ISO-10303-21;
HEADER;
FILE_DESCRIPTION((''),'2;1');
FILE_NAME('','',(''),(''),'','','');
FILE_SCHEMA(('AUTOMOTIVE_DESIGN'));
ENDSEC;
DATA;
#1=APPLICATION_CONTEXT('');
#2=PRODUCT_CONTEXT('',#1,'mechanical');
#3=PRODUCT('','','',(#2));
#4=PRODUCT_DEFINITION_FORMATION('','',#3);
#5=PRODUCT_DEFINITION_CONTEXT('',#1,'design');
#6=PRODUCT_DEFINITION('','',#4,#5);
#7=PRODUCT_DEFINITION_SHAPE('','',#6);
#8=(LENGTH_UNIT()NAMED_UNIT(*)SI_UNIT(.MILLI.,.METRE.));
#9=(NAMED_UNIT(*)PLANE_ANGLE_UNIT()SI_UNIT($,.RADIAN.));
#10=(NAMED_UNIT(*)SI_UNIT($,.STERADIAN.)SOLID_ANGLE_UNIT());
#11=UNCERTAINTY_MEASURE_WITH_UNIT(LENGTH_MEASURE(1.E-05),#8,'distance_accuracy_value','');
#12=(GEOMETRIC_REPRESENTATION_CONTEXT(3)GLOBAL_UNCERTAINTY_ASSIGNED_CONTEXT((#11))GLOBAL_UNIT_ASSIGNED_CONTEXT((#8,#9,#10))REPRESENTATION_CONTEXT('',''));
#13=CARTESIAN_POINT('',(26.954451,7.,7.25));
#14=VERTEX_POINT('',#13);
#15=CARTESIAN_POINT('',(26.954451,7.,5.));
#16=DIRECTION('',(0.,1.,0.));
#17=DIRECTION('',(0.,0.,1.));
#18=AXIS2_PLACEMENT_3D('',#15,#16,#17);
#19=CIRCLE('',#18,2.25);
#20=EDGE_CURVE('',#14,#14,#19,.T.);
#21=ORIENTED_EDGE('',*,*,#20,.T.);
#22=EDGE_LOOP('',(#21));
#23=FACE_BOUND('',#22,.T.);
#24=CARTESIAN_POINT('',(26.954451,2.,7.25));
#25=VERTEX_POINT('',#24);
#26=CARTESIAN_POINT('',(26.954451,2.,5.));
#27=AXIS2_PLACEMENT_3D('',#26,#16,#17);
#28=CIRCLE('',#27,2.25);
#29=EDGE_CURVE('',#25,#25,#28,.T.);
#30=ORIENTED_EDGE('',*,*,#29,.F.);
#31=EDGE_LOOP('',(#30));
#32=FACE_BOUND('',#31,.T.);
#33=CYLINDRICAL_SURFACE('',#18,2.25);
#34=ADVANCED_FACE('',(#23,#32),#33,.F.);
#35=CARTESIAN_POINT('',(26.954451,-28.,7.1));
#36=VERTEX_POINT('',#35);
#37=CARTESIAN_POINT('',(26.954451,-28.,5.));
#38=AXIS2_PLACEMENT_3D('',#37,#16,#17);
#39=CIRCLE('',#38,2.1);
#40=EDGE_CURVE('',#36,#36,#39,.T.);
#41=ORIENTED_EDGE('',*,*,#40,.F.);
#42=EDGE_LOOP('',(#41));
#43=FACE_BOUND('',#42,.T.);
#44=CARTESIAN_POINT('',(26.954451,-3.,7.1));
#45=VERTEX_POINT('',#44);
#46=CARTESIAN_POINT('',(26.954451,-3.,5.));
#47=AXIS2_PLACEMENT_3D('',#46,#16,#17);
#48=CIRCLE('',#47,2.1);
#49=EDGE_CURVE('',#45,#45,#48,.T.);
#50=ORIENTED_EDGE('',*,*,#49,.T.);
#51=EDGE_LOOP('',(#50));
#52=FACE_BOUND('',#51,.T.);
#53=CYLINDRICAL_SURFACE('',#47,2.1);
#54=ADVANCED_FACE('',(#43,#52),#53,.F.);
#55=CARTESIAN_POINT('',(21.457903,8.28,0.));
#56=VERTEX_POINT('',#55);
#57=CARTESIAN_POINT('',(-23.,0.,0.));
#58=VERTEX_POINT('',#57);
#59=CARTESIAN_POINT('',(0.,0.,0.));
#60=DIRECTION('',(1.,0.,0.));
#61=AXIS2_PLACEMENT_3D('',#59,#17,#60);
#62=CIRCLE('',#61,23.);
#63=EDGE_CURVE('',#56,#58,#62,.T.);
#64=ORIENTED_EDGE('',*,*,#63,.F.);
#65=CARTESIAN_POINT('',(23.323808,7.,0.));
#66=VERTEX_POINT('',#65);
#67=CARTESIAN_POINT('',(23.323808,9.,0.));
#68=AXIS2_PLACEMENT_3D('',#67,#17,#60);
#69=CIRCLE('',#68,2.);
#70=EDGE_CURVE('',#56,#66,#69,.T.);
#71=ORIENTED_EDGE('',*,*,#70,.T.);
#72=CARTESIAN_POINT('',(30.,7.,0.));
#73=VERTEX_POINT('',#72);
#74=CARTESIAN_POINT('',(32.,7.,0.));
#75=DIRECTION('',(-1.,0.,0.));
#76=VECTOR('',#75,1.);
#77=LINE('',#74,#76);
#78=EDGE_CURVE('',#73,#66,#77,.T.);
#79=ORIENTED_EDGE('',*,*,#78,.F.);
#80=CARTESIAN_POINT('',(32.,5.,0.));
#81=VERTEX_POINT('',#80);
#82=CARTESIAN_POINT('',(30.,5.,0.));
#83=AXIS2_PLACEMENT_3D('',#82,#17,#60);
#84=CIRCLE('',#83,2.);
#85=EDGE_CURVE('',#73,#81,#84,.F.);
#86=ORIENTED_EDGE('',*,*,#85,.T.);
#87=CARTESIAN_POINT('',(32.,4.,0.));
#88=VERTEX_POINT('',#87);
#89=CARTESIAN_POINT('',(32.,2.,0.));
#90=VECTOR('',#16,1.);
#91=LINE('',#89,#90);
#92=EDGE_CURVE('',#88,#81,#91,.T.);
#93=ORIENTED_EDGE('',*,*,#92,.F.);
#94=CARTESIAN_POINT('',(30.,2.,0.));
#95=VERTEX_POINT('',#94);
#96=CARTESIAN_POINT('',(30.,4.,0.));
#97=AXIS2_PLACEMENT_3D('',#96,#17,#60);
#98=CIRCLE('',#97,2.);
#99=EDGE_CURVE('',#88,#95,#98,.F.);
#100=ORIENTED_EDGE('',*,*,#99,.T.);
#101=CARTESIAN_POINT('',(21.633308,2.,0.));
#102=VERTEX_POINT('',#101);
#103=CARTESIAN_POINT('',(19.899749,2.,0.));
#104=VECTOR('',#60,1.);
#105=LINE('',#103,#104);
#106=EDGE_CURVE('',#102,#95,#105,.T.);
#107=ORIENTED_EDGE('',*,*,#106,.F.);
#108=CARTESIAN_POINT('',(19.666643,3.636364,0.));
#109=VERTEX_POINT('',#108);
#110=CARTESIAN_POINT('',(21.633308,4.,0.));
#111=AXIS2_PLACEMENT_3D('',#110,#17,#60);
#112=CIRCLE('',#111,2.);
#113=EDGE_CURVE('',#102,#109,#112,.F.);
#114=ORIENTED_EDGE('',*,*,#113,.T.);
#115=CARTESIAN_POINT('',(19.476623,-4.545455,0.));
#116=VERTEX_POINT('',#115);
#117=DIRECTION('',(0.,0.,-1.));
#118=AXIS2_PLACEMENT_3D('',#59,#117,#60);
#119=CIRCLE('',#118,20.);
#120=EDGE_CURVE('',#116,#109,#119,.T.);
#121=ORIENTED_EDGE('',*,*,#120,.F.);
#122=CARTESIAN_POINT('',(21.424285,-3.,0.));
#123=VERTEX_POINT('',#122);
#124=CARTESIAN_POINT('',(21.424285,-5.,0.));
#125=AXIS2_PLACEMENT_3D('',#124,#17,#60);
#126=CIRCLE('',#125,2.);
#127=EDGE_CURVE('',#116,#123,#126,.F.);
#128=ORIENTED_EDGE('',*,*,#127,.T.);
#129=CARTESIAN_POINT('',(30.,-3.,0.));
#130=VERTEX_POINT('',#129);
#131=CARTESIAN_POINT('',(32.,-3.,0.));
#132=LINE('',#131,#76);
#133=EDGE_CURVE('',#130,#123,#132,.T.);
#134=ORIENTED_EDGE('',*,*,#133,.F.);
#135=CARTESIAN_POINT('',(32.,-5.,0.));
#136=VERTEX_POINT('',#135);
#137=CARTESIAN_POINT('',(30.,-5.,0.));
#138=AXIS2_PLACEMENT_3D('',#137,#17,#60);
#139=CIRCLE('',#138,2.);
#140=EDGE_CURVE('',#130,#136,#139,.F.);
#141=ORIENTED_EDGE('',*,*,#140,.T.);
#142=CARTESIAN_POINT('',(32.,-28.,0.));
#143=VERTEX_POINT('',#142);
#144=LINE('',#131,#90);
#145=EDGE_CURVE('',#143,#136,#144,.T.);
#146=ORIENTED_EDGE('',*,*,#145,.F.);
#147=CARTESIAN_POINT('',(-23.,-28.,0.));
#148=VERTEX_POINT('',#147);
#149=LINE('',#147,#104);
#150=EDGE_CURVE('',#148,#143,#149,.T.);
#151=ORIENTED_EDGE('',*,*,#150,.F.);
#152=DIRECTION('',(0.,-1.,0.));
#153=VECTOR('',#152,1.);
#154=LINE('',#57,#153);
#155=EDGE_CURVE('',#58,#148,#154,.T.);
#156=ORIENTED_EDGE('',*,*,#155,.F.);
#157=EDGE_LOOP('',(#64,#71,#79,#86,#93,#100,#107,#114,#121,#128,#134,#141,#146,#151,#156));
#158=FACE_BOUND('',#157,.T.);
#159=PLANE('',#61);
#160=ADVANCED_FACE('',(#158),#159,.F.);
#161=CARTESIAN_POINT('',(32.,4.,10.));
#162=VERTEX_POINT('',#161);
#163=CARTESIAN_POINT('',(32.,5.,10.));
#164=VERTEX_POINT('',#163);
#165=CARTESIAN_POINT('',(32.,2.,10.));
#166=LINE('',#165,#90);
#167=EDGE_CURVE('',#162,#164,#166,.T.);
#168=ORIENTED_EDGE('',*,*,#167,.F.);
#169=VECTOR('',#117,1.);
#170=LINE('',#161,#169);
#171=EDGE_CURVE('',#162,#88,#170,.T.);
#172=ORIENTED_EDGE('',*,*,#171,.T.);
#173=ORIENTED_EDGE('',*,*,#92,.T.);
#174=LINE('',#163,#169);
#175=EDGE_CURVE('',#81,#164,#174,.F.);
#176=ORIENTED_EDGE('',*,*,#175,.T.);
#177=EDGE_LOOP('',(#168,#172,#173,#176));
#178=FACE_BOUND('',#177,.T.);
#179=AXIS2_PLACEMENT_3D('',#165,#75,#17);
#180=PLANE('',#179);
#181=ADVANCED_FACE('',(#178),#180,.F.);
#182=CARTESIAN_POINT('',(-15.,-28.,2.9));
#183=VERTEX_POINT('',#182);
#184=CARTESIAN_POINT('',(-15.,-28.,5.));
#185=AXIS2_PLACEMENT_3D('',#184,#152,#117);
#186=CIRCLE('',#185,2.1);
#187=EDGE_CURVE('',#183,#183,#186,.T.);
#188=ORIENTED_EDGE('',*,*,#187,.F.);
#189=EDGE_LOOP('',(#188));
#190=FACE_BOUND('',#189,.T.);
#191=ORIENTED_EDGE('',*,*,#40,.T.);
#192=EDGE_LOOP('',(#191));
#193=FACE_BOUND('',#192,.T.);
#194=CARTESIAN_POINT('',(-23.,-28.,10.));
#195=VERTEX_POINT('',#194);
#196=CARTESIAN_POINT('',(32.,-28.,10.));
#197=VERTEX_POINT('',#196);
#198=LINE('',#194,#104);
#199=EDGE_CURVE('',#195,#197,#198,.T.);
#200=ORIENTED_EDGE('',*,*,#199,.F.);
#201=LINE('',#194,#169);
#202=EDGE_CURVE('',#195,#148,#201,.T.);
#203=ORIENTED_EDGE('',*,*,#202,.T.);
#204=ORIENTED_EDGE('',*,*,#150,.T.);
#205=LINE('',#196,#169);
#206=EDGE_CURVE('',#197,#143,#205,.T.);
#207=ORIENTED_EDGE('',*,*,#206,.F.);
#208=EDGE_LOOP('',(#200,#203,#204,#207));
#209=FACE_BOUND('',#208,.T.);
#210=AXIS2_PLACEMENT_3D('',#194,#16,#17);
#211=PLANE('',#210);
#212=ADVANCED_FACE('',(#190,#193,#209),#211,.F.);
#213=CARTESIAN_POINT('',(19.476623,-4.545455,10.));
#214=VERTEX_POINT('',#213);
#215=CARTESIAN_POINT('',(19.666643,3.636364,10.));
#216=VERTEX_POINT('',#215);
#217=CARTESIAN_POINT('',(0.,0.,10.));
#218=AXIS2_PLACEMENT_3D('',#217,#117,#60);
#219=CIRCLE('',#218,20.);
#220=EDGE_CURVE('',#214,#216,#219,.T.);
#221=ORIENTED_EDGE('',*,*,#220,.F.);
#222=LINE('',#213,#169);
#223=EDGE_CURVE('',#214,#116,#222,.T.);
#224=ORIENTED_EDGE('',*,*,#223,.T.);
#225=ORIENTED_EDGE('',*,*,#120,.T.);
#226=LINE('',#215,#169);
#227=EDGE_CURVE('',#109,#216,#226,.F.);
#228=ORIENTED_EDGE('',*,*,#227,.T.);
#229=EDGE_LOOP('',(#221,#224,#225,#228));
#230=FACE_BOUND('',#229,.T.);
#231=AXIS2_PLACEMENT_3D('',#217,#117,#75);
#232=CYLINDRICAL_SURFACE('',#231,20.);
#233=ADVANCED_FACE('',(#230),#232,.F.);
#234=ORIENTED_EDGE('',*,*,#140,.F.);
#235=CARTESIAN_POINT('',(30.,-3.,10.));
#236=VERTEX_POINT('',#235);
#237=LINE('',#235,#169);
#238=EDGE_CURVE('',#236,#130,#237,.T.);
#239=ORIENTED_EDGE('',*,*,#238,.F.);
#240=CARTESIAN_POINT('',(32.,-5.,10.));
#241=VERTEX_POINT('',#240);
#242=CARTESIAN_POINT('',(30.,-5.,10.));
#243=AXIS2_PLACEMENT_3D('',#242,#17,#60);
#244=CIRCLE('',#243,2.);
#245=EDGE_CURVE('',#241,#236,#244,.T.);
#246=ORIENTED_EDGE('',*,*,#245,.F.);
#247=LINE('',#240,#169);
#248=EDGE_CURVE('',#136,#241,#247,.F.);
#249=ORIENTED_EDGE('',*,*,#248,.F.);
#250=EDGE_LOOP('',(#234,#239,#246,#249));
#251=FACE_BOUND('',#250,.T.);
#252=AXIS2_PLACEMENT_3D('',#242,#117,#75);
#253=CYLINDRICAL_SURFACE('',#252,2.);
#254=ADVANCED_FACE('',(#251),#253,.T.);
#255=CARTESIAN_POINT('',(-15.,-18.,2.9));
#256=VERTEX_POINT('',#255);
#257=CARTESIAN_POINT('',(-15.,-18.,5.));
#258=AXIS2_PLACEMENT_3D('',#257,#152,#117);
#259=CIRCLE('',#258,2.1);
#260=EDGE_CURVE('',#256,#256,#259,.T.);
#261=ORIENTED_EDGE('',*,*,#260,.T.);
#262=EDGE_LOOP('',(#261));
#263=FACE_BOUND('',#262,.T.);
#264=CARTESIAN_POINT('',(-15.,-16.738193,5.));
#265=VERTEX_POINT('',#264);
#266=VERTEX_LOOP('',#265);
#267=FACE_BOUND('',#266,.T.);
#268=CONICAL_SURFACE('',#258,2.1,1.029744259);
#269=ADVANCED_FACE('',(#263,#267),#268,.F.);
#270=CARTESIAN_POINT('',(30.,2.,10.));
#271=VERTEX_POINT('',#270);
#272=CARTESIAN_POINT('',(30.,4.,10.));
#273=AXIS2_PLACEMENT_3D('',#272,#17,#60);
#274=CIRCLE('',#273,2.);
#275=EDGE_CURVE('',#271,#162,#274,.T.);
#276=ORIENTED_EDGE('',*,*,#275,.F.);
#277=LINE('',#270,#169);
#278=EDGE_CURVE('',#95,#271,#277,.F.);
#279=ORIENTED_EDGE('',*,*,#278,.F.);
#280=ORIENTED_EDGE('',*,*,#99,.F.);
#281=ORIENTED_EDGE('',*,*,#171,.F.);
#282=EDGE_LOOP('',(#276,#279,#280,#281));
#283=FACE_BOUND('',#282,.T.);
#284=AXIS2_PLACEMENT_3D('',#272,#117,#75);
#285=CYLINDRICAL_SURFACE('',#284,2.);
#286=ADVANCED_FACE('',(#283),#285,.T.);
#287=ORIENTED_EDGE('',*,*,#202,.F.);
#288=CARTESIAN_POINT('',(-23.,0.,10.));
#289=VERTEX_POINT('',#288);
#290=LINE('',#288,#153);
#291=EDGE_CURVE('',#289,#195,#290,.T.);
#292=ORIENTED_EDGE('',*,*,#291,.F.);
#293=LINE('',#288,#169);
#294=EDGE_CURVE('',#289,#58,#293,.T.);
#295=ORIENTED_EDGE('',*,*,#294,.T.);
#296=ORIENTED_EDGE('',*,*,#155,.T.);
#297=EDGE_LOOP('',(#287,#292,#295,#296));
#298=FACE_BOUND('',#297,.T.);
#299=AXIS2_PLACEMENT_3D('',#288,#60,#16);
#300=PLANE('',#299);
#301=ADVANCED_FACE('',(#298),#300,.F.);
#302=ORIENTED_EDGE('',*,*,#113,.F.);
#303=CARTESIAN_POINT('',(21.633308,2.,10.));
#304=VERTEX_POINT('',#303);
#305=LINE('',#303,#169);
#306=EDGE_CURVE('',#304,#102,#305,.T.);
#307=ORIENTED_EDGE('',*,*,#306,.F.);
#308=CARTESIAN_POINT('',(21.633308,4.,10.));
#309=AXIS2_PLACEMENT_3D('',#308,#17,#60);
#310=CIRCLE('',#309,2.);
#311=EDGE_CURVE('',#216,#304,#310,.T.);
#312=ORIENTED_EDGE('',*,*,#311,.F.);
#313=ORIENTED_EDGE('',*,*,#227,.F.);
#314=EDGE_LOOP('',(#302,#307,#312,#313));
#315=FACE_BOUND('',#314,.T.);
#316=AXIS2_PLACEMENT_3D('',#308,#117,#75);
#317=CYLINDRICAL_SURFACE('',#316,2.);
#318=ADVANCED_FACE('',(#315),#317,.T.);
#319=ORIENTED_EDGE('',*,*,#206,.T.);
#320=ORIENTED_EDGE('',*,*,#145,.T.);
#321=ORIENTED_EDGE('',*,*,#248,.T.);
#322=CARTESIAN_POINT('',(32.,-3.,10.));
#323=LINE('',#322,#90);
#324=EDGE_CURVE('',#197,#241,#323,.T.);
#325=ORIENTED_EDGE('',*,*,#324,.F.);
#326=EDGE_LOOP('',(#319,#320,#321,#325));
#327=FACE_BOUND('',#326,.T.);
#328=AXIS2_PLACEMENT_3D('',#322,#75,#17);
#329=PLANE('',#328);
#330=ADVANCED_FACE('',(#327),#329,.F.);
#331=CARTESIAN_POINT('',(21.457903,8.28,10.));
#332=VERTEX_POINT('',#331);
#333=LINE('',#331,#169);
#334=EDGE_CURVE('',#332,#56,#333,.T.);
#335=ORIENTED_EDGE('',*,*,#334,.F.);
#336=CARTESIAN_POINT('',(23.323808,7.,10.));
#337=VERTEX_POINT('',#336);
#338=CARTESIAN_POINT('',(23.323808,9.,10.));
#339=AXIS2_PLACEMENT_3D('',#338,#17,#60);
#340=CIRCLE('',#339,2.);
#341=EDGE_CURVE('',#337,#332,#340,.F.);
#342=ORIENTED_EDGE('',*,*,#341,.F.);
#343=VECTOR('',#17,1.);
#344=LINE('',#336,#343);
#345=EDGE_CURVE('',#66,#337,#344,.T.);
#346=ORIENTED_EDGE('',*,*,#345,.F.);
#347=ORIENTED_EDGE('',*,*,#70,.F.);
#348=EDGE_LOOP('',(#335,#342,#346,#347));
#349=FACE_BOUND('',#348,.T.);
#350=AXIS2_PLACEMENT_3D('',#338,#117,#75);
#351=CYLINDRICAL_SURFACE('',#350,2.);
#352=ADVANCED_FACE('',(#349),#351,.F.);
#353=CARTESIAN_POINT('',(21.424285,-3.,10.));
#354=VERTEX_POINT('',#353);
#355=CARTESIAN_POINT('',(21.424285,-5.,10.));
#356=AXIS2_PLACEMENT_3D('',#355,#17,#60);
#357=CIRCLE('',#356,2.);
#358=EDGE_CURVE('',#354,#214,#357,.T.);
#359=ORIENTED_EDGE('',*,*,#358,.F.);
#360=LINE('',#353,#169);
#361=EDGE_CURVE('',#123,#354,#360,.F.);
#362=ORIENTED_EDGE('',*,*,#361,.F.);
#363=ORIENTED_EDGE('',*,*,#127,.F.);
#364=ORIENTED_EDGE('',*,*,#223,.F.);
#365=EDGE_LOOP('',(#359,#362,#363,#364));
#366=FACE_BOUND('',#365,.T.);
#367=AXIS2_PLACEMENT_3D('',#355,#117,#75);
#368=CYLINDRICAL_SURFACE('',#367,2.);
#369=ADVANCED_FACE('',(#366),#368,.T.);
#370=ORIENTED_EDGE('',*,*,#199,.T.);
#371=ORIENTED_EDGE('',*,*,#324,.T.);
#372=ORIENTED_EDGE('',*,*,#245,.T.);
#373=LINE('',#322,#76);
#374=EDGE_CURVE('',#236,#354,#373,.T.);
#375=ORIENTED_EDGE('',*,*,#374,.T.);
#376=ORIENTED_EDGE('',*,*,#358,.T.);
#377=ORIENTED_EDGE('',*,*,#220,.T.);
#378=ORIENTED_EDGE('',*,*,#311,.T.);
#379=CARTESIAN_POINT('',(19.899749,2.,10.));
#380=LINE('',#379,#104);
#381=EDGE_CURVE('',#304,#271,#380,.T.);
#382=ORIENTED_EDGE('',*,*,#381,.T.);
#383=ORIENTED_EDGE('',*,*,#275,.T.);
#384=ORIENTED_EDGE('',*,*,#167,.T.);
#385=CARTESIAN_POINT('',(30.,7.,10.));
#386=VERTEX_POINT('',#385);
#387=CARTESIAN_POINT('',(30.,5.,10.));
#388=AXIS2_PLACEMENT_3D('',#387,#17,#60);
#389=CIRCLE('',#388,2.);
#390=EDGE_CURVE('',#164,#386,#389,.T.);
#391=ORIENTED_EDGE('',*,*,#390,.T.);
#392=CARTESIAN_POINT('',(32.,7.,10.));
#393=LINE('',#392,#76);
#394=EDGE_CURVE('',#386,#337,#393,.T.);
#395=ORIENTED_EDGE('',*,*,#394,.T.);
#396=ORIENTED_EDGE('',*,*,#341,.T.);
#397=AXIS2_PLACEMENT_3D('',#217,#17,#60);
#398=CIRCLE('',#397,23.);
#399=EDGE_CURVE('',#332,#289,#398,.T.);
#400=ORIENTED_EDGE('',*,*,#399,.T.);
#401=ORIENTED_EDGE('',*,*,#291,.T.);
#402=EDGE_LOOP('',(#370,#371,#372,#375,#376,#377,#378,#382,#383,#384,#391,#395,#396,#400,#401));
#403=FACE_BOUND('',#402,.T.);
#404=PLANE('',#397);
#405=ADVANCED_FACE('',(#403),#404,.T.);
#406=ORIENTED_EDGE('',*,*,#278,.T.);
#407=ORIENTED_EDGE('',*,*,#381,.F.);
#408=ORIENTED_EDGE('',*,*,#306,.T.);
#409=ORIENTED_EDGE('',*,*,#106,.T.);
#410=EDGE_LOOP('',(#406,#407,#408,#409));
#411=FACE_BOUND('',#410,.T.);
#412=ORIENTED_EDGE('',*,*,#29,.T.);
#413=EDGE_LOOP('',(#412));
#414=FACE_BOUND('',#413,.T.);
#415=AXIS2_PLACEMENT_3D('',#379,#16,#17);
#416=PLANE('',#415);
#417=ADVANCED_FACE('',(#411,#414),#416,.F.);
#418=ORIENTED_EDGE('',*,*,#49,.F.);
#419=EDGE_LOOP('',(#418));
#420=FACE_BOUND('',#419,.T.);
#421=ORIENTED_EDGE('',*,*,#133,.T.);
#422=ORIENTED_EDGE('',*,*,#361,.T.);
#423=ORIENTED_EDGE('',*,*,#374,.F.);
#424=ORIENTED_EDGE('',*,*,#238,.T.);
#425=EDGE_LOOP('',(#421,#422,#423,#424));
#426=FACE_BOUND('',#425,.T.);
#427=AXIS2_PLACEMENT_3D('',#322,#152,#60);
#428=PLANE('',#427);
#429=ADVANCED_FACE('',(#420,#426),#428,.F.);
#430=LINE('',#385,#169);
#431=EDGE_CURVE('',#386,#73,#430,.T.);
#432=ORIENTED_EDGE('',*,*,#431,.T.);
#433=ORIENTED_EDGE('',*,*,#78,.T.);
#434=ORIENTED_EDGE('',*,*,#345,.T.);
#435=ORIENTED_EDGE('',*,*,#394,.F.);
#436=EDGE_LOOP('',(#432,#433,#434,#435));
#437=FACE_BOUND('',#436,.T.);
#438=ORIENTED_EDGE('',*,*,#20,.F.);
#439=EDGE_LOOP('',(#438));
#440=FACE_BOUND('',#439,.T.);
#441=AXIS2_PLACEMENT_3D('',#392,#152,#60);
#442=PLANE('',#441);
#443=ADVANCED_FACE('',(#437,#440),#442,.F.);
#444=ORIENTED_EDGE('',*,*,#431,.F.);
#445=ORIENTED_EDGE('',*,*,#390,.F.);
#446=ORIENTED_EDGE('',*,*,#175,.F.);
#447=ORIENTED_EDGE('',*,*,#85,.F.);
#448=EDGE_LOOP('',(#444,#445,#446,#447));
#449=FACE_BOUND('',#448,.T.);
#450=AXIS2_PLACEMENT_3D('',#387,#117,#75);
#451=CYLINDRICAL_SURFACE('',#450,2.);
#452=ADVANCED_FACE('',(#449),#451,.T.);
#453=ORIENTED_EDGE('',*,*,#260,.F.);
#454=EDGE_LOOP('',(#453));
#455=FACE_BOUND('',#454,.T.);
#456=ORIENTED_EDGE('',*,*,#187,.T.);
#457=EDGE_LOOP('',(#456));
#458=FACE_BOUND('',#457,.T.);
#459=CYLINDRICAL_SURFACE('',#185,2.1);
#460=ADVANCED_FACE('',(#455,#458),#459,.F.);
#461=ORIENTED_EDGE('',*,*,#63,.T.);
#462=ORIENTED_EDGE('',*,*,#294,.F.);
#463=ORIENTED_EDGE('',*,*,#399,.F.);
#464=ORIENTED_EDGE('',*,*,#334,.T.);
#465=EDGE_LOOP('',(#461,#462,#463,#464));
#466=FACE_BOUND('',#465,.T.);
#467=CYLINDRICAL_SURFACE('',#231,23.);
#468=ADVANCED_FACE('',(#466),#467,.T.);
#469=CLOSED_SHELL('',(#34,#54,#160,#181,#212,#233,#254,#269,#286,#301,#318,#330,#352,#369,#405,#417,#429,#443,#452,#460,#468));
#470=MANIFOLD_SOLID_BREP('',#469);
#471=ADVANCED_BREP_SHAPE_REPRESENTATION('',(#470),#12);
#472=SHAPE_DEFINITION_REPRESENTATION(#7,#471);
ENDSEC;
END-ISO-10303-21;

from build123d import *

# Parameters (mm, degrees)
EXTRUDE_1_DEPTH       = 10
FILLET_1_R            = 2
HOLE_WIZARD_M41_D     = 4.5
HOLE_WIZARD_M41_DEPTH = 5
M5X0_81_D             = 4.2
M5X0_82_D             = 4.2
M5X0_82_DEPTH         = 10
M5X0_82_TIP           = 1.2618073


with BuildPart() as part:
    # Эскиз1 → Бобышка-Вытянуть1 (new body)
    with BuildSketch(Plane.XY):
        with BuildLine():
            Line((32, -3), (19.773719933, -3))
            ThreePointArc((19.773719933, -3), (-19.993649721, 0.503955172), (19.899748742, 2))
            Line((19.899748742, 2), (32, 2))
            Line((32, 2), (32, 7))
            Line((32, 7), (21.9089023, 7))
            ThreePointArc((21.9089023, 7), (-3.54226249, 22.725588583), (-23, 0))
            Line((-23, 0), (-23, -28))
            Line((-23, -28), (32, -28))
            Line((32, -28), (32, -3))
        make_face()
    extrude(amount=EXTRUDE_1_DEPTH)

    # Скругление1
    fillet_1_edges = [part.edges().sort_by_distance(p)[0] for p in [
        (21.9089023, 7, 5),
        (32, 7, 5),
        (32, 2, 5),
        (19.899748742, 2, 5),
        (19.773719933, -3, 5),
        (32, -3, 5),
    ]]
    fillet(fillet_1_edges, radius=FILLET_1_R)

    # Отверстие с зазором M41
    with Locations(Plane(origin=(0, 7, 0), x_dir=(1, 0, 0), z_dir=(0, 1, 0))):
        with Locations((26.95445115, -5)):
            Hole(HOLE_WIZARD_M41_D / 2, depth=HOLE_WIZARD_M41_DEPTH)

    # Отверстие обработанное метчиком M5x0.81 (through all)
    with Locations(Plane(origin=(0, -3, 0), x_dir=(1, 0, 0), z_dir=(0, 1, 0))):
        with Locations((26.95445115, -5)):
            Hole(M5X0_81_D / 2)

    # Отверстие обработанное метчиком M5x0.82
    with Locations(Plane(origin=(0, -28, 0), x_dir=(-1, 0, 0), z_dir=(0, -1, 0))):
        with Locations((15, -5)):
            Hole(M5X0_82_D / 2, depth=M5X0_82_DEPTH)
            with Locations((0, 0, -(M5X0_82_DEPTH + M5X0_82_TIP / 2))):  # 118° drill point
                Cone(0, M5X0_82_D / 2, M5X0_82_TIP, mode=Mode.SUBTRACT)


solid = part.part
